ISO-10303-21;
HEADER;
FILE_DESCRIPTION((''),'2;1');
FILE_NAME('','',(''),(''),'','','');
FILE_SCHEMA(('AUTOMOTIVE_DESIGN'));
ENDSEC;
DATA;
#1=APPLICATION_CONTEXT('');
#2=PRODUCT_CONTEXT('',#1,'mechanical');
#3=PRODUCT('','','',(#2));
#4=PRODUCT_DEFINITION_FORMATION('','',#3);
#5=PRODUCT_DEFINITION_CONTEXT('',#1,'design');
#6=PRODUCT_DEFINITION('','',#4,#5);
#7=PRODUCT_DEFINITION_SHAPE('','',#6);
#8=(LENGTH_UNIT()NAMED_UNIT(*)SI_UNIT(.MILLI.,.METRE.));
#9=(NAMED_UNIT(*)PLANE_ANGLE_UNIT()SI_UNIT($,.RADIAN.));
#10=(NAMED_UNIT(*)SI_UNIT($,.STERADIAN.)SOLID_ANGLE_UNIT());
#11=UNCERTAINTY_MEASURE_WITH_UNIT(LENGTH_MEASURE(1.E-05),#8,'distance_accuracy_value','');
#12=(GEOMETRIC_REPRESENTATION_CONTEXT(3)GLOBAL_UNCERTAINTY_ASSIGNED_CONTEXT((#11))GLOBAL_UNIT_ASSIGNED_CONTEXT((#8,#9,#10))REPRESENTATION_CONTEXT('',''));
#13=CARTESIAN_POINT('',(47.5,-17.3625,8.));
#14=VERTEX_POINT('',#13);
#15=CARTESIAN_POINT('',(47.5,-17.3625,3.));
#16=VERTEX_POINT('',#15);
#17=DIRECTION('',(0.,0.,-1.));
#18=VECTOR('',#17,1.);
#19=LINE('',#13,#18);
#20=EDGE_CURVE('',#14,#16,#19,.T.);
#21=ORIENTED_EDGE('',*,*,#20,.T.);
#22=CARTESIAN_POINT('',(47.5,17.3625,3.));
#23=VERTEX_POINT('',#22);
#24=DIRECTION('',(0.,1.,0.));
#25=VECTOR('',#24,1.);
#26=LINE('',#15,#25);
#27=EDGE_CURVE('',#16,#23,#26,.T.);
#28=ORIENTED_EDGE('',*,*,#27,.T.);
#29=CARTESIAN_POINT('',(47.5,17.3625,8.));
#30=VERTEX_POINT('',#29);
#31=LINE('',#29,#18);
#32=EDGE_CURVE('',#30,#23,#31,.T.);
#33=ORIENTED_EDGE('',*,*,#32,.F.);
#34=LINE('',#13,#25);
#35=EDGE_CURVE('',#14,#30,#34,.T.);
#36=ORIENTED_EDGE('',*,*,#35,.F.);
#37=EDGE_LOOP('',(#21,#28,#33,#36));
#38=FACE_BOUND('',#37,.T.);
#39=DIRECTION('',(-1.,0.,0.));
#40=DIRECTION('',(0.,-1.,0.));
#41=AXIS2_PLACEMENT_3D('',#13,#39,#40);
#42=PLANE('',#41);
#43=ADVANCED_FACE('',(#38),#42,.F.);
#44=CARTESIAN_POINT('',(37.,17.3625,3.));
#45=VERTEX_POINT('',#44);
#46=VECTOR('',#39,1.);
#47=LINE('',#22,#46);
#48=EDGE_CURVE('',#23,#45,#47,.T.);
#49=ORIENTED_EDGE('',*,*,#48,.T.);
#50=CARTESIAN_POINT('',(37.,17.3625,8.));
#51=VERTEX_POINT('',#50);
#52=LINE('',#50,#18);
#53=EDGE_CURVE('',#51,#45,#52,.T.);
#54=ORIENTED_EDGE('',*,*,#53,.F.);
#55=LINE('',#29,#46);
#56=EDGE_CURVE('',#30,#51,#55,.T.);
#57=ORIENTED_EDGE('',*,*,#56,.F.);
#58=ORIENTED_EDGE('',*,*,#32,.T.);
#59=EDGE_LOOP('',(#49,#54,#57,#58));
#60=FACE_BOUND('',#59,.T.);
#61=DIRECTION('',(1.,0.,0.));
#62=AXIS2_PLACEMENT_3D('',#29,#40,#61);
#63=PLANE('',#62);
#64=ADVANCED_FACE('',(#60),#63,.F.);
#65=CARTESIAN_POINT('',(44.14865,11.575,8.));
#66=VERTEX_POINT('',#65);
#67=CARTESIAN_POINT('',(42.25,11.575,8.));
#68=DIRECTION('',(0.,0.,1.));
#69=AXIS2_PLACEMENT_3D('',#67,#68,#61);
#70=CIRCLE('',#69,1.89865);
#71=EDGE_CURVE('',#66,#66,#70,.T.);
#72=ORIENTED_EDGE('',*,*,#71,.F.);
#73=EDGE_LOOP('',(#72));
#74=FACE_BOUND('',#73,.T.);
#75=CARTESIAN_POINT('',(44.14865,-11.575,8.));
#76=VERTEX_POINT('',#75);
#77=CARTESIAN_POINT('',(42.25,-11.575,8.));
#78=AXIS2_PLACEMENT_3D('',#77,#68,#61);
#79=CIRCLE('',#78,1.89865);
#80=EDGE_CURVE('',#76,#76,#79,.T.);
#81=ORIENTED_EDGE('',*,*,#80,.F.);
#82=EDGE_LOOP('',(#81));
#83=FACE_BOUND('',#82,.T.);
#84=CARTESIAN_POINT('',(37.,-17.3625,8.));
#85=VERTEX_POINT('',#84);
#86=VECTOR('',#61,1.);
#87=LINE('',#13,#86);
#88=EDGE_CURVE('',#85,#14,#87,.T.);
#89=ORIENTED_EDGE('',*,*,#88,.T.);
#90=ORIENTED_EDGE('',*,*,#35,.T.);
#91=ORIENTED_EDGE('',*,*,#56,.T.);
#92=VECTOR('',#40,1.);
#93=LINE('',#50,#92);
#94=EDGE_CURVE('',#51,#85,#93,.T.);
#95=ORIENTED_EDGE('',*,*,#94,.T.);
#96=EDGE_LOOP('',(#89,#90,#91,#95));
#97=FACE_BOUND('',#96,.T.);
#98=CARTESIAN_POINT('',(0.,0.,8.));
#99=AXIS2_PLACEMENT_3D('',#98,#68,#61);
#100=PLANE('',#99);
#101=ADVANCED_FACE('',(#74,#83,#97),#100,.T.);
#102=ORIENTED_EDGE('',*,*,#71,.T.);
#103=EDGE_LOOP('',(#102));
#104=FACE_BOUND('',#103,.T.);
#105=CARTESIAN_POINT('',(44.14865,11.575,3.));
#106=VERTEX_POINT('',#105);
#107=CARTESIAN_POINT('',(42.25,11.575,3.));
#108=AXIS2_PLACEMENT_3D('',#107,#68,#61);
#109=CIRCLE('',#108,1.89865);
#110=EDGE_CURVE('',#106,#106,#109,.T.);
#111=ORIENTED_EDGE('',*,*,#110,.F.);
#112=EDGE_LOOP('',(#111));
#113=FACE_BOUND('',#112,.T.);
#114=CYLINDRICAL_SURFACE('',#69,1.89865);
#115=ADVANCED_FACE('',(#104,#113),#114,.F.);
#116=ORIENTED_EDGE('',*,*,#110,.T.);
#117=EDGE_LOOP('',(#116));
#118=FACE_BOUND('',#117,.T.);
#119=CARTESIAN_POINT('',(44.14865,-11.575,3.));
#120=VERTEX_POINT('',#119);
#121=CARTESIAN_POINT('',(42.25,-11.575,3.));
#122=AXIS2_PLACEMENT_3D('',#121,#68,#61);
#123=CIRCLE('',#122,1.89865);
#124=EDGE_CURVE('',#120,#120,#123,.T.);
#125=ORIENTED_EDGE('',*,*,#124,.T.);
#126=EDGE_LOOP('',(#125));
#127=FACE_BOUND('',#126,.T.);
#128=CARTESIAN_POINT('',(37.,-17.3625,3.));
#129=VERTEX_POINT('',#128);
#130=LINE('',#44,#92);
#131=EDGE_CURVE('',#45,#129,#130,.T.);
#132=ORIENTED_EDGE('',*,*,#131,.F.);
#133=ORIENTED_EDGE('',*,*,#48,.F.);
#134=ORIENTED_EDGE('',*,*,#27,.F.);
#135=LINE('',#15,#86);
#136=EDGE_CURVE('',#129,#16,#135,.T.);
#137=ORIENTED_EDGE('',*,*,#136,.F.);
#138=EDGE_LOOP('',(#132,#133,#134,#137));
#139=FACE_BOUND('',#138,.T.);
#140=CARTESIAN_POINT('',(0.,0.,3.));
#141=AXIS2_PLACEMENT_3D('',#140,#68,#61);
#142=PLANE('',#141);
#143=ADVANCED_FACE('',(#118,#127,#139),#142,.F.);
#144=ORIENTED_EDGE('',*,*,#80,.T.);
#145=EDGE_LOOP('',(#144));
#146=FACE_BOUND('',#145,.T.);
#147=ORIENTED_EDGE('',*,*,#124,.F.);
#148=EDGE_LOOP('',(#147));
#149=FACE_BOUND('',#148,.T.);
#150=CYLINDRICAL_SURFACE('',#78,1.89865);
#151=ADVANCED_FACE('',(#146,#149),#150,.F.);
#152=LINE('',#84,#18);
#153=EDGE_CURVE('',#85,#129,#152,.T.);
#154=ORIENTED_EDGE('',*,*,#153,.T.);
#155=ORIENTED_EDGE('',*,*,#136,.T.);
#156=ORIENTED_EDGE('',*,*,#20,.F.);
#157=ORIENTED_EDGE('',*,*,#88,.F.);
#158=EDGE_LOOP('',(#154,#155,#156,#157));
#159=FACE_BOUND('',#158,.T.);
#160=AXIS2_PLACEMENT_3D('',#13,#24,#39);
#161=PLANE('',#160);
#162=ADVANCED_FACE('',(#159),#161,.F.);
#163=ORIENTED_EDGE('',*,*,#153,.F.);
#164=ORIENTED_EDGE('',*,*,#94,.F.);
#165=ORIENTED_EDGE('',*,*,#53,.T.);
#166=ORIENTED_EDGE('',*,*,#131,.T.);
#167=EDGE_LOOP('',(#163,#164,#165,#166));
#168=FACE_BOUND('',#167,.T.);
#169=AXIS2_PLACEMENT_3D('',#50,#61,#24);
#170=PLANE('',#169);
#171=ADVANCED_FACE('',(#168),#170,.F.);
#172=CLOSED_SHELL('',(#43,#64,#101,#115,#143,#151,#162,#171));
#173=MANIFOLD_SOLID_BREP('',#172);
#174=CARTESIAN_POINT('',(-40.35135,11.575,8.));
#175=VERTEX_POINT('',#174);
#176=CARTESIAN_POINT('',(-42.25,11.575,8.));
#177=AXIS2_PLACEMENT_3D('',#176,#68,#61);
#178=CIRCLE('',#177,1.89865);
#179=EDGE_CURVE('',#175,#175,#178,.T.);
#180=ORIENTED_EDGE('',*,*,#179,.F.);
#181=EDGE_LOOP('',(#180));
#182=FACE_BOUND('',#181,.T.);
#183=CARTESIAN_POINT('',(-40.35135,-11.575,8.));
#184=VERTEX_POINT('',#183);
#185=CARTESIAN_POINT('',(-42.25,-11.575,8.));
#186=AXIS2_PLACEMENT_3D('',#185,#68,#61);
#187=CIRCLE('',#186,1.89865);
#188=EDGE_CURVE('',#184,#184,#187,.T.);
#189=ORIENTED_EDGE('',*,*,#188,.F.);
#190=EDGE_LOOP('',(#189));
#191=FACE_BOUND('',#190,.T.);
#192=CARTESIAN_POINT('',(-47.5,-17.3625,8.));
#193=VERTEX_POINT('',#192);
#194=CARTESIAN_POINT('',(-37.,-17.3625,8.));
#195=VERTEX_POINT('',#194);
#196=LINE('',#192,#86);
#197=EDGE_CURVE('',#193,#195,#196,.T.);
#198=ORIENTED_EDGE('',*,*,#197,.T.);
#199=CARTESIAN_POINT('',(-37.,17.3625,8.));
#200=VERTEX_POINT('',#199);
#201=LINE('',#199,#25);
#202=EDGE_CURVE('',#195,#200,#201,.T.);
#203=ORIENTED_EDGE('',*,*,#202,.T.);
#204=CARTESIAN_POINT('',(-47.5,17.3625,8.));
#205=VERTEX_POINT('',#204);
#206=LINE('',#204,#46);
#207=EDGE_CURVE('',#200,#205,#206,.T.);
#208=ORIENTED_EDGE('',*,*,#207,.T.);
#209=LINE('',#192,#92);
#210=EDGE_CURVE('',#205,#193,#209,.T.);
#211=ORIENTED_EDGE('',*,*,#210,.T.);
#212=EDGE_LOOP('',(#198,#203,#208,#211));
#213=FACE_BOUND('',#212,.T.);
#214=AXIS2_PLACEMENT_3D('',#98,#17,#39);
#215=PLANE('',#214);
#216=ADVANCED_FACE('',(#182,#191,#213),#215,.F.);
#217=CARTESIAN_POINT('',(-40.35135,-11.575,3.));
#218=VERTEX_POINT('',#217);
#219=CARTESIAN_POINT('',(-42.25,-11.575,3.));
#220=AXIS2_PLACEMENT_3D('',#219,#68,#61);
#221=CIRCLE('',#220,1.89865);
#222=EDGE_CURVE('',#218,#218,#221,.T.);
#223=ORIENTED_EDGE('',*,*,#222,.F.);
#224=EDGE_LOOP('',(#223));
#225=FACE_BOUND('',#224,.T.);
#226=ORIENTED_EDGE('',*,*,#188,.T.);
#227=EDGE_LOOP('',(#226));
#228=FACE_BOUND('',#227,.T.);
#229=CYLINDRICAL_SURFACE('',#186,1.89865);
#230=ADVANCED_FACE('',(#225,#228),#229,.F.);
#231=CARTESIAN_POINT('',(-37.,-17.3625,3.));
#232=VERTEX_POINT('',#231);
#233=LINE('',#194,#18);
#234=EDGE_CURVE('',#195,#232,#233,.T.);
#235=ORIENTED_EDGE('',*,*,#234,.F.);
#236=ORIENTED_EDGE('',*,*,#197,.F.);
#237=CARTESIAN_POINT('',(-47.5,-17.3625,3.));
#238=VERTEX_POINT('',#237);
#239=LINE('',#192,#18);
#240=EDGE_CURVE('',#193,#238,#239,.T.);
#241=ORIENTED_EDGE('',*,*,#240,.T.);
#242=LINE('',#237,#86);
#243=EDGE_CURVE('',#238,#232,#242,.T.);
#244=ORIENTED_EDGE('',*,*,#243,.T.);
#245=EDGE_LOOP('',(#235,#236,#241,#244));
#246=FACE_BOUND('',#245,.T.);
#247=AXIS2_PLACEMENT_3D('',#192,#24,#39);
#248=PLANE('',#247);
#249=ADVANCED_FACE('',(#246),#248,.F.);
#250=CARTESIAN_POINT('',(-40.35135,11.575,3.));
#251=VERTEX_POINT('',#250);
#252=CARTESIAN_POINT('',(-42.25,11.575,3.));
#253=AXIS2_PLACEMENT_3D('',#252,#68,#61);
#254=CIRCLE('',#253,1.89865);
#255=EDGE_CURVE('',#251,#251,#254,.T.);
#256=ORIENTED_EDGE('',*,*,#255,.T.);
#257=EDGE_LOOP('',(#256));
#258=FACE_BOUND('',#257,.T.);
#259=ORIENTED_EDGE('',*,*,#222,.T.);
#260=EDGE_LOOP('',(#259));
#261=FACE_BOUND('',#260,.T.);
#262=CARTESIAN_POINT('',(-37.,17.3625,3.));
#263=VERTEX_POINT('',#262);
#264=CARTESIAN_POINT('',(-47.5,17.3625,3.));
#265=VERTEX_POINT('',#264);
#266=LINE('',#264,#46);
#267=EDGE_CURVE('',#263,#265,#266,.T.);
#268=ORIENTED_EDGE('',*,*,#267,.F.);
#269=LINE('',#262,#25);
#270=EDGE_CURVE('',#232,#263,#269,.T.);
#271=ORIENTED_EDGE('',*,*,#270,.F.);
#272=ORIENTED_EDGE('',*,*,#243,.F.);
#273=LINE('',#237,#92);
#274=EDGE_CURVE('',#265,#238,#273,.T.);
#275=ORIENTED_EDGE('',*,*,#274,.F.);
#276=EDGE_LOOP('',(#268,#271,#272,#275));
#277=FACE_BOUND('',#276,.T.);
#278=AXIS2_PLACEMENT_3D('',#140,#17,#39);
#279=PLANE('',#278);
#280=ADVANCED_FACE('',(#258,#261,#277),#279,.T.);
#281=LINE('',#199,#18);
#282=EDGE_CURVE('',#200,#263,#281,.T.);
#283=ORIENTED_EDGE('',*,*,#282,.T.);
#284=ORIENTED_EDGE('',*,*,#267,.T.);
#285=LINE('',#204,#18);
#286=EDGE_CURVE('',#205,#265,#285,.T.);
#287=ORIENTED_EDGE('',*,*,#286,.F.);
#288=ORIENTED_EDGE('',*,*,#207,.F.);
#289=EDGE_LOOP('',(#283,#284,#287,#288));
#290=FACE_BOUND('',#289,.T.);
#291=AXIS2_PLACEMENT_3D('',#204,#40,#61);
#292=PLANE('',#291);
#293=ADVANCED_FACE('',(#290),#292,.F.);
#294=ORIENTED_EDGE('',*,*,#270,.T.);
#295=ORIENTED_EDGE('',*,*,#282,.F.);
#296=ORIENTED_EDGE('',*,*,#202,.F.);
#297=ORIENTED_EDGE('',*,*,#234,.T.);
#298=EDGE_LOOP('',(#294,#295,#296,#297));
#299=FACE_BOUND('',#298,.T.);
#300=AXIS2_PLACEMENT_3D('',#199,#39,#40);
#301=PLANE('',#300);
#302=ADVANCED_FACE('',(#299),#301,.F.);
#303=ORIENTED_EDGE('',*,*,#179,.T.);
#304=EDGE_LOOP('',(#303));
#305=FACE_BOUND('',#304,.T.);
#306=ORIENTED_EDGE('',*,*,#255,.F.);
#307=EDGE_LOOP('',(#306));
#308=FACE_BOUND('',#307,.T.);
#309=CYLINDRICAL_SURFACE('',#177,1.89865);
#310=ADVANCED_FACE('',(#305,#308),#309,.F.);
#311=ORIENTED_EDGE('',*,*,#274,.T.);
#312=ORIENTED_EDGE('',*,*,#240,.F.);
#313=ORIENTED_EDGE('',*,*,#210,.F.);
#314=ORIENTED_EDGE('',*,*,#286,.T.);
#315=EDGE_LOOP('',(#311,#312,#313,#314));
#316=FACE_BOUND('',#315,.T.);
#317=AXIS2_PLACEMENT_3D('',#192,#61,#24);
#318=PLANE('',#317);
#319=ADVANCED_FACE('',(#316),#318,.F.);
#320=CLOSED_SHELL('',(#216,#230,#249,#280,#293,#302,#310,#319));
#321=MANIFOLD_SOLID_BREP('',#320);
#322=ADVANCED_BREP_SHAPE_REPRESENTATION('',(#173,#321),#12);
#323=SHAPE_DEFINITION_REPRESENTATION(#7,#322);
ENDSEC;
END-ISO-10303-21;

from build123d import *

# Parameters (mm, degrees)
SKETCH1_W                      = 10.5
SKETCH1_H                      = 34.725
BOSS_EXTRUDE1_DEPTH            = 5
BOSS_EXTRUDE1_2_DEPTH          = 5
SKETCH7_W                      = 1.89865
SKETCH7_H                      = 5
F_6_CLEARANCE_HOLE2_AT_2_COUNT = 2
F_6_CLEARANCE_HOLE2_AT_2_PITCH = 23.15
F_6_CLEARANCE_HOLE2_AT_3_COUNT = 2
F_6_CLEARANCE_HOLE2_AT_3_PITCH = 84.5
F_6_CLEARANCE_HOLE2_AT_4_COUNT = 2
F_6_CLEARANCE_HOLE2_AT_4_PITCH = 87.613768895


with BuildPart() as part:
    # Sketch1 → Boss-Extrude1 (new body)
    with BuildSketch(Plane.XY.offset(3)):
        with Locations((42.25, 0)):
            Rectangle(SKETCH1_W, SKETCH1_H)
    extrude(amount=BOSS_EXTRUDE1_DEPTH)

    # Sketch7 → #6 Clearance Hole2 (revolve, cut)
    with BuildSketch(Plane(origin=(42.25, 11.575, 8), x_dir=(0, -1, 0), z_dir=(1, 0, 0))):
        with Locations((0.949325, 2.5)):
            Rectangle(SKETCH7_W, SKETCH7_H)
    f_6_clearance_hole2 = revolve(axis=Axis((42.25, 11.575, 14.35), (0, 0, -1)), mode=Mode.SUBTRACT)

    # #6 Clearance Hole2 at 2: #6 Clearance Hole2 ×2
    with Locations(*[(0, -i * F_6_CLEARANCE_HOLE2_AT_2_PITCH, 0) for i in range(1, F_6_CLEARANCE_HOLE2_AT_2_COUNT)]):
        add(f_6_clearance_hole2, mode=Mode.SUBTRACT)


with BuildPart() as body_2:
    # Sketch1 → Boss-Extrude1 2 (new body)
    with BuildSketch(Plane.XY.offset(3)):
        with Locations((-42.25, 0)):
            Rectangle(SKETCH1_W, SKETCH1_H)
    extrude(amount=BOSS_EXTRUDE1_2_DEPTH)

    # #6 Clearance Hole2 at 3: #6 Clearance Hole2 ×2
    with Locations(*[(-i * F_6_CLEARANCE_HOLE2_AT_3_PITCH, 0, 0) for i in range(1, F_6_CLEARANCE_HOLE2_AT_3_COUNT)]):
        add(f_6_clearance_hole2, mode=Mode.SUBTRACT)

    # #6 Clearance Hole2 at 4: #6 Clearance Hole2 ×2
    with Locations(*[Vector(-0.964460279, -0.264227875, 0) * (i * F_6_CLEARANCE_HOLE2_AT_4_PITCH) for i in range(1, F_6_CLEARANCE_HOLE2_AT_4_COUNT)]):
        add(f_6_clearance_hole2, mode=Mode.SUBTRACT)


solid = Compound([part.part, body_2.part])
